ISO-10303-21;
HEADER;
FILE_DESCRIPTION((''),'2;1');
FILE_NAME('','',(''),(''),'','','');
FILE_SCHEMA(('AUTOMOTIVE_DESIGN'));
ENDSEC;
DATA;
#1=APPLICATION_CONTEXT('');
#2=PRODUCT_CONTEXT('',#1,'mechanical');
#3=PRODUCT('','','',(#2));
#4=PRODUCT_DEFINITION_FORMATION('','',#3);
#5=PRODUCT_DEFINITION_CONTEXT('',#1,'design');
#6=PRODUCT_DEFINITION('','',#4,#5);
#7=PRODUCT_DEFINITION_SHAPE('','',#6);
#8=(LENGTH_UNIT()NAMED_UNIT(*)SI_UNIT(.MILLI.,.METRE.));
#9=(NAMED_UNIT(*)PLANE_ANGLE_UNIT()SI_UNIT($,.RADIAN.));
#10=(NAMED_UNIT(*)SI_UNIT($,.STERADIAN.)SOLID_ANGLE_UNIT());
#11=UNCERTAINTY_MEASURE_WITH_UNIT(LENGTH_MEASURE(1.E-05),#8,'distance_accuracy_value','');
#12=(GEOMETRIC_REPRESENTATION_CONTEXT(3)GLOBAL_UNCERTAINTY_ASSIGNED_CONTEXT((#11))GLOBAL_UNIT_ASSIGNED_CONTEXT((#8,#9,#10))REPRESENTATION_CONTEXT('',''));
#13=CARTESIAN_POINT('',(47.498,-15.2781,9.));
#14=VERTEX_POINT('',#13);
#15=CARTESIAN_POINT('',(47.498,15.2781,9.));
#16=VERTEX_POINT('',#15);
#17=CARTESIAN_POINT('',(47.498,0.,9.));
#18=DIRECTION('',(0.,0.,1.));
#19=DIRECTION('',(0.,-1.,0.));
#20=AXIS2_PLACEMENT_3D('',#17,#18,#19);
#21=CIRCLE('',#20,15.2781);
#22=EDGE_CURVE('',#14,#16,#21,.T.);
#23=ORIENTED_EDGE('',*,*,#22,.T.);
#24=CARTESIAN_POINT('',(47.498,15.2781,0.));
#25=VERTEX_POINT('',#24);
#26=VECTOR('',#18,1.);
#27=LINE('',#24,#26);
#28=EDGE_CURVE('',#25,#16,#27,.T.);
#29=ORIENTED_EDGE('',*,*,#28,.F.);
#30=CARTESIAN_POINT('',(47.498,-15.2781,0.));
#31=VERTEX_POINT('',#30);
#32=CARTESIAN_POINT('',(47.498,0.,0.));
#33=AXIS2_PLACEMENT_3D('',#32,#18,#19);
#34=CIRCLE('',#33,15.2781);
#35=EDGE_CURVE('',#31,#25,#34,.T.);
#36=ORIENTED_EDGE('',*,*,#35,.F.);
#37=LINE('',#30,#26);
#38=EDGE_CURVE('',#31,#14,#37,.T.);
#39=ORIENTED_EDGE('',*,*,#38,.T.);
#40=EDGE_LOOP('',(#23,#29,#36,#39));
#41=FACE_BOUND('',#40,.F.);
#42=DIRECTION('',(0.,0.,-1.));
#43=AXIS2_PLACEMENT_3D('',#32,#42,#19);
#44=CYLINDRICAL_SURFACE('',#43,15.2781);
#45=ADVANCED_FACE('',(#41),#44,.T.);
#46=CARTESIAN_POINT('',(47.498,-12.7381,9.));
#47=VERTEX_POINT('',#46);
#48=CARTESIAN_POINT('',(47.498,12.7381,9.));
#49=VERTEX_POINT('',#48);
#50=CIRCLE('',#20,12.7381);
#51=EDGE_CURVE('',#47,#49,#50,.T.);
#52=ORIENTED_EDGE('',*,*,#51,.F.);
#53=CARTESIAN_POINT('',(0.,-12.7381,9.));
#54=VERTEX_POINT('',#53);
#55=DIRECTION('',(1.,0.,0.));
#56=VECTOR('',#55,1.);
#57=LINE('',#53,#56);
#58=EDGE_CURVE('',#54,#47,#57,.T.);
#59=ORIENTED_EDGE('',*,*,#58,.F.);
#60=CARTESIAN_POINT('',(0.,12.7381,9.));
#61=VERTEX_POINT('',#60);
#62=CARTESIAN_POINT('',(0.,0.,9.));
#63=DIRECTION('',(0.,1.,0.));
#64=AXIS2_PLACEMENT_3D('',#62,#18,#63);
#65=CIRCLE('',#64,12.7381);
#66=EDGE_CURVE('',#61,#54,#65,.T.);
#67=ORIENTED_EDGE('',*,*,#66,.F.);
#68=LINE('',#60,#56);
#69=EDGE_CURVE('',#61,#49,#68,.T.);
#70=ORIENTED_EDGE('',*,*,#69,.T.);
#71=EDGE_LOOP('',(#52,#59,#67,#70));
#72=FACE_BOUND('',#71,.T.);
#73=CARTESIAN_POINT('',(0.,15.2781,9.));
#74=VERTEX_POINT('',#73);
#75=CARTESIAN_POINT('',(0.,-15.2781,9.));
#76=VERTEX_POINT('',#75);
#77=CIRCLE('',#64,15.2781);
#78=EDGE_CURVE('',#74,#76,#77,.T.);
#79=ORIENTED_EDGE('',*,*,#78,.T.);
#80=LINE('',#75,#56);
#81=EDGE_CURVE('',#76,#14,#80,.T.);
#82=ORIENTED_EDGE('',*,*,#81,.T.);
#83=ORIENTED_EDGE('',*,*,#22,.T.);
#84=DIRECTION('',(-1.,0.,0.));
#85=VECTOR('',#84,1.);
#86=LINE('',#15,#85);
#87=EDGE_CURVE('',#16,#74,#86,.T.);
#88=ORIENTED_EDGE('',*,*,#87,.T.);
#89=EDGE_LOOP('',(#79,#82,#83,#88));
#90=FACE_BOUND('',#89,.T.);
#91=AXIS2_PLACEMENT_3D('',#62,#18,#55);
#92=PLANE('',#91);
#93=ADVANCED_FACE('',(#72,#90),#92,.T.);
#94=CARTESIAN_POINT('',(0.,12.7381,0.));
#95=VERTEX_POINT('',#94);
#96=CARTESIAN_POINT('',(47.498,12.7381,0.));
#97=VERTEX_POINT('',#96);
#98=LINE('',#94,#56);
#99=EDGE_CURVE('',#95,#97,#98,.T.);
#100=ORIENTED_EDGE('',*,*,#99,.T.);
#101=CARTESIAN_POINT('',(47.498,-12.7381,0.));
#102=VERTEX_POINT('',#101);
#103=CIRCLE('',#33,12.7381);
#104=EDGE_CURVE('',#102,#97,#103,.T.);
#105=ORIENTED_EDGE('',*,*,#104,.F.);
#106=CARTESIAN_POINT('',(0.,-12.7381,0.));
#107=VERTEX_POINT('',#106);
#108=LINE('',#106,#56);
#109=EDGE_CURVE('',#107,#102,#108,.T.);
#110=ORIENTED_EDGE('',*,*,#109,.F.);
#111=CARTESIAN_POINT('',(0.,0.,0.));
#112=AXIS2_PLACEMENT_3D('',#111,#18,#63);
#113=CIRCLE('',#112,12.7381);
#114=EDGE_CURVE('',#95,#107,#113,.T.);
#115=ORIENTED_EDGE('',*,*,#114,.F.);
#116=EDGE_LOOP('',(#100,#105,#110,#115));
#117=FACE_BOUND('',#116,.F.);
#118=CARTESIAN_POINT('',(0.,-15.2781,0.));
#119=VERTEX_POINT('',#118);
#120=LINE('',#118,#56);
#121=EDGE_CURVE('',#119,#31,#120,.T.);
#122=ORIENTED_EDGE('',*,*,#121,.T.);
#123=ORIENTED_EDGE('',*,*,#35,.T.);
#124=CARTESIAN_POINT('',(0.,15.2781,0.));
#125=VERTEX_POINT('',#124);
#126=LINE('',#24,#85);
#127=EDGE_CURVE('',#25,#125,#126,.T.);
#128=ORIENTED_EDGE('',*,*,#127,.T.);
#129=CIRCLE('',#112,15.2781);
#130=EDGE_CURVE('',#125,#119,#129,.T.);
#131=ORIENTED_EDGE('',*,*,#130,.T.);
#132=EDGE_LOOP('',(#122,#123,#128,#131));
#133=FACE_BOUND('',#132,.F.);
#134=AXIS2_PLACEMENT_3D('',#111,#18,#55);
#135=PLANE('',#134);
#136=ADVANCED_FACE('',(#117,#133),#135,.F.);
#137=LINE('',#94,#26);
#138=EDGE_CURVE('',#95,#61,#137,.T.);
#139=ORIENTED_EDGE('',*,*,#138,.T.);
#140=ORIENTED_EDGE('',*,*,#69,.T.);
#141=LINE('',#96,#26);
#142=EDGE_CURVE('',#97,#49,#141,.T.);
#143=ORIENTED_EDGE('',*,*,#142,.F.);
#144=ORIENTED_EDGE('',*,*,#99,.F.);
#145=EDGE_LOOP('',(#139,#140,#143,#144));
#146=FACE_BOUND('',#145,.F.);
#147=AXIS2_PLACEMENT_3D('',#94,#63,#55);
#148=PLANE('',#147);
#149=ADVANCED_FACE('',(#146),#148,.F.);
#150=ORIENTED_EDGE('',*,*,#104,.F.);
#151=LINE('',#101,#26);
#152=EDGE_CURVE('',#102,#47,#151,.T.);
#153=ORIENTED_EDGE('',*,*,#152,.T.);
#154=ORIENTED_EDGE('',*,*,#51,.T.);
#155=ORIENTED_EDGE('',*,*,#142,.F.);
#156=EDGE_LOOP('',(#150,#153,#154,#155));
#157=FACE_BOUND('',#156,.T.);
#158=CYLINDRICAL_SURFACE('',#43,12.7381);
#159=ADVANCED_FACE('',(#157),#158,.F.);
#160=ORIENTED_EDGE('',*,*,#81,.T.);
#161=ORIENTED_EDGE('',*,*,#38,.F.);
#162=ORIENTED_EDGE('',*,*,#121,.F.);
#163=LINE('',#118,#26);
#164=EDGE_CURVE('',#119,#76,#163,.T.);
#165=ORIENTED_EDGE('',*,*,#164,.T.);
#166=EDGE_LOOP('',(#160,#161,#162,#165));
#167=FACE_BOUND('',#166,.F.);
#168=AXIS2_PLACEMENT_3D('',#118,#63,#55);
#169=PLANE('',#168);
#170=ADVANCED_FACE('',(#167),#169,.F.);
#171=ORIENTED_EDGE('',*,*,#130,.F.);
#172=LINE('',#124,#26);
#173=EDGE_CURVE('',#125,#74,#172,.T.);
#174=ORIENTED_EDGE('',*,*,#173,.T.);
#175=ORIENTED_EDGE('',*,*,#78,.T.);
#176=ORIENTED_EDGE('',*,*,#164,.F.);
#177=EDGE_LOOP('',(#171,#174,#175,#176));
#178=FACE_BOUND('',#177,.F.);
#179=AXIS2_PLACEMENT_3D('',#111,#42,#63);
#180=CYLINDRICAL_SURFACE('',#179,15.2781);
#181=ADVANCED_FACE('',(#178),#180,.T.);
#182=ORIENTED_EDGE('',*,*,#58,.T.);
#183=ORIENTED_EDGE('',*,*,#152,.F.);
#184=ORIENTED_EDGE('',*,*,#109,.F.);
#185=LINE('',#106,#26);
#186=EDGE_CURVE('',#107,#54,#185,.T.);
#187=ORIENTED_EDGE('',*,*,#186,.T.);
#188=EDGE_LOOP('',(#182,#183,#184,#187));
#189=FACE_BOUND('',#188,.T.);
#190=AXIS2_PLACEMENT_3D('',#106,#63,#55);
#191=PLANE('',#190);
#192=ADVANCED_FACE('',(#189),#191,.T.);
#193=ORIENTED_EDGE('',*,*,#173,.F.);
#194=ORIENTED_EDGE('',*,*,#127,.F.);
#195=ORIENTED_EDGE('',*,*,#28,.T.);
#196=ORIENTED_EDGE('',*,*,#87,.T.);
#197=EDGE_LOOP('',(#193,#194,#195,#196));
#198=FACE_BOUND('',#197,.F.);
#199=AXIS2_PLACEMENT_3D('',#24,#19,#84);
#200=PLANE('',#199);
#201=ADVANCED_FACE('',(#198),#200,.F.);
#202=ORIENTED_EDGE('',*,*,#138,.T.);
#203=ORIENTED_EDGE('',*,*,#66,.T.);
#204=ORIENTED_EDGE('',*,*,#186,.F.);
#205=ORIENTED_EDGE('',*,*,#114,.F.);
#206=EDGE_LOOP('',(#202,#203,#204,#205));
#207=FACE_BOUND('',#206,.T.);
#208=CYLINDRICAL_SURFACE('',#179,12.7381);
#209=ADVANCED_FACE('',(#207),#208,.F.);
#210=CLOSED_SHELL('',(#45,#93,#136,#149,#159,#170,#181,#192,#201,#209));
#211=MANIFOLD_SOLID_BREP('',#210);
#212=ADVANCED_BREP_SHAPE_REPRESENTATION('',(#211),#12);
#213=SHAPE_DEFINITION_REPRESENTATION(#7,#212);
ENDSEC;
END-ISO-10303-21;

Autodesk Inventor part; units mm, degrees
ref_plane "YZ Plane" through (0, 0, 0) normal (1, 0, 0) x (0, 1, 0)
ref_plane "XZ Plane" through (0, 0, 0) normal (0, 1, 0) x (-1, 0, 0)
ref_plane "XY Plane" through (0, 0, 0) normal (0, 0, 1) x (1, 0, 0)
sketch "Sketch1" plane through (0, 0, 0) normal (0, 0, 1) x (1, 0, 0)
  arc A0 (0, 12.7381) -> (0, -12.7381) centre (0, 0) ccw
  arc A1 (47.498, -12.7381) -> (47.498, 12.7381) centre (47.498, 0) ccw
  line L0 (0, 12.7381) -> (47.498, 12.7381)
  line L1 (0, -12.7381) -> (47.498, -12.7381)
  line L2 (47.498, 15.2781) -> (0, 15.2781)
  arc A2 (0, 15.2781) -> (0, -15.2781) centre (0, 0) ccw
  line L3 (0, -15.2781) -> (47.498, -15.2781)
  arc A3 (47.498, -15.2781) -> (47.498, 15.2781) centre (47.498, 0) ccw
  dimension "d0" = 25.4762
  dimension "d1" = 47.498
  dimension "d2" = 2.54
extrude "Extrusion1" add sketch "Sketch1" along normal blind 9
properties part number "INDX_020_MiniFeederBelt" material "Rubber"
